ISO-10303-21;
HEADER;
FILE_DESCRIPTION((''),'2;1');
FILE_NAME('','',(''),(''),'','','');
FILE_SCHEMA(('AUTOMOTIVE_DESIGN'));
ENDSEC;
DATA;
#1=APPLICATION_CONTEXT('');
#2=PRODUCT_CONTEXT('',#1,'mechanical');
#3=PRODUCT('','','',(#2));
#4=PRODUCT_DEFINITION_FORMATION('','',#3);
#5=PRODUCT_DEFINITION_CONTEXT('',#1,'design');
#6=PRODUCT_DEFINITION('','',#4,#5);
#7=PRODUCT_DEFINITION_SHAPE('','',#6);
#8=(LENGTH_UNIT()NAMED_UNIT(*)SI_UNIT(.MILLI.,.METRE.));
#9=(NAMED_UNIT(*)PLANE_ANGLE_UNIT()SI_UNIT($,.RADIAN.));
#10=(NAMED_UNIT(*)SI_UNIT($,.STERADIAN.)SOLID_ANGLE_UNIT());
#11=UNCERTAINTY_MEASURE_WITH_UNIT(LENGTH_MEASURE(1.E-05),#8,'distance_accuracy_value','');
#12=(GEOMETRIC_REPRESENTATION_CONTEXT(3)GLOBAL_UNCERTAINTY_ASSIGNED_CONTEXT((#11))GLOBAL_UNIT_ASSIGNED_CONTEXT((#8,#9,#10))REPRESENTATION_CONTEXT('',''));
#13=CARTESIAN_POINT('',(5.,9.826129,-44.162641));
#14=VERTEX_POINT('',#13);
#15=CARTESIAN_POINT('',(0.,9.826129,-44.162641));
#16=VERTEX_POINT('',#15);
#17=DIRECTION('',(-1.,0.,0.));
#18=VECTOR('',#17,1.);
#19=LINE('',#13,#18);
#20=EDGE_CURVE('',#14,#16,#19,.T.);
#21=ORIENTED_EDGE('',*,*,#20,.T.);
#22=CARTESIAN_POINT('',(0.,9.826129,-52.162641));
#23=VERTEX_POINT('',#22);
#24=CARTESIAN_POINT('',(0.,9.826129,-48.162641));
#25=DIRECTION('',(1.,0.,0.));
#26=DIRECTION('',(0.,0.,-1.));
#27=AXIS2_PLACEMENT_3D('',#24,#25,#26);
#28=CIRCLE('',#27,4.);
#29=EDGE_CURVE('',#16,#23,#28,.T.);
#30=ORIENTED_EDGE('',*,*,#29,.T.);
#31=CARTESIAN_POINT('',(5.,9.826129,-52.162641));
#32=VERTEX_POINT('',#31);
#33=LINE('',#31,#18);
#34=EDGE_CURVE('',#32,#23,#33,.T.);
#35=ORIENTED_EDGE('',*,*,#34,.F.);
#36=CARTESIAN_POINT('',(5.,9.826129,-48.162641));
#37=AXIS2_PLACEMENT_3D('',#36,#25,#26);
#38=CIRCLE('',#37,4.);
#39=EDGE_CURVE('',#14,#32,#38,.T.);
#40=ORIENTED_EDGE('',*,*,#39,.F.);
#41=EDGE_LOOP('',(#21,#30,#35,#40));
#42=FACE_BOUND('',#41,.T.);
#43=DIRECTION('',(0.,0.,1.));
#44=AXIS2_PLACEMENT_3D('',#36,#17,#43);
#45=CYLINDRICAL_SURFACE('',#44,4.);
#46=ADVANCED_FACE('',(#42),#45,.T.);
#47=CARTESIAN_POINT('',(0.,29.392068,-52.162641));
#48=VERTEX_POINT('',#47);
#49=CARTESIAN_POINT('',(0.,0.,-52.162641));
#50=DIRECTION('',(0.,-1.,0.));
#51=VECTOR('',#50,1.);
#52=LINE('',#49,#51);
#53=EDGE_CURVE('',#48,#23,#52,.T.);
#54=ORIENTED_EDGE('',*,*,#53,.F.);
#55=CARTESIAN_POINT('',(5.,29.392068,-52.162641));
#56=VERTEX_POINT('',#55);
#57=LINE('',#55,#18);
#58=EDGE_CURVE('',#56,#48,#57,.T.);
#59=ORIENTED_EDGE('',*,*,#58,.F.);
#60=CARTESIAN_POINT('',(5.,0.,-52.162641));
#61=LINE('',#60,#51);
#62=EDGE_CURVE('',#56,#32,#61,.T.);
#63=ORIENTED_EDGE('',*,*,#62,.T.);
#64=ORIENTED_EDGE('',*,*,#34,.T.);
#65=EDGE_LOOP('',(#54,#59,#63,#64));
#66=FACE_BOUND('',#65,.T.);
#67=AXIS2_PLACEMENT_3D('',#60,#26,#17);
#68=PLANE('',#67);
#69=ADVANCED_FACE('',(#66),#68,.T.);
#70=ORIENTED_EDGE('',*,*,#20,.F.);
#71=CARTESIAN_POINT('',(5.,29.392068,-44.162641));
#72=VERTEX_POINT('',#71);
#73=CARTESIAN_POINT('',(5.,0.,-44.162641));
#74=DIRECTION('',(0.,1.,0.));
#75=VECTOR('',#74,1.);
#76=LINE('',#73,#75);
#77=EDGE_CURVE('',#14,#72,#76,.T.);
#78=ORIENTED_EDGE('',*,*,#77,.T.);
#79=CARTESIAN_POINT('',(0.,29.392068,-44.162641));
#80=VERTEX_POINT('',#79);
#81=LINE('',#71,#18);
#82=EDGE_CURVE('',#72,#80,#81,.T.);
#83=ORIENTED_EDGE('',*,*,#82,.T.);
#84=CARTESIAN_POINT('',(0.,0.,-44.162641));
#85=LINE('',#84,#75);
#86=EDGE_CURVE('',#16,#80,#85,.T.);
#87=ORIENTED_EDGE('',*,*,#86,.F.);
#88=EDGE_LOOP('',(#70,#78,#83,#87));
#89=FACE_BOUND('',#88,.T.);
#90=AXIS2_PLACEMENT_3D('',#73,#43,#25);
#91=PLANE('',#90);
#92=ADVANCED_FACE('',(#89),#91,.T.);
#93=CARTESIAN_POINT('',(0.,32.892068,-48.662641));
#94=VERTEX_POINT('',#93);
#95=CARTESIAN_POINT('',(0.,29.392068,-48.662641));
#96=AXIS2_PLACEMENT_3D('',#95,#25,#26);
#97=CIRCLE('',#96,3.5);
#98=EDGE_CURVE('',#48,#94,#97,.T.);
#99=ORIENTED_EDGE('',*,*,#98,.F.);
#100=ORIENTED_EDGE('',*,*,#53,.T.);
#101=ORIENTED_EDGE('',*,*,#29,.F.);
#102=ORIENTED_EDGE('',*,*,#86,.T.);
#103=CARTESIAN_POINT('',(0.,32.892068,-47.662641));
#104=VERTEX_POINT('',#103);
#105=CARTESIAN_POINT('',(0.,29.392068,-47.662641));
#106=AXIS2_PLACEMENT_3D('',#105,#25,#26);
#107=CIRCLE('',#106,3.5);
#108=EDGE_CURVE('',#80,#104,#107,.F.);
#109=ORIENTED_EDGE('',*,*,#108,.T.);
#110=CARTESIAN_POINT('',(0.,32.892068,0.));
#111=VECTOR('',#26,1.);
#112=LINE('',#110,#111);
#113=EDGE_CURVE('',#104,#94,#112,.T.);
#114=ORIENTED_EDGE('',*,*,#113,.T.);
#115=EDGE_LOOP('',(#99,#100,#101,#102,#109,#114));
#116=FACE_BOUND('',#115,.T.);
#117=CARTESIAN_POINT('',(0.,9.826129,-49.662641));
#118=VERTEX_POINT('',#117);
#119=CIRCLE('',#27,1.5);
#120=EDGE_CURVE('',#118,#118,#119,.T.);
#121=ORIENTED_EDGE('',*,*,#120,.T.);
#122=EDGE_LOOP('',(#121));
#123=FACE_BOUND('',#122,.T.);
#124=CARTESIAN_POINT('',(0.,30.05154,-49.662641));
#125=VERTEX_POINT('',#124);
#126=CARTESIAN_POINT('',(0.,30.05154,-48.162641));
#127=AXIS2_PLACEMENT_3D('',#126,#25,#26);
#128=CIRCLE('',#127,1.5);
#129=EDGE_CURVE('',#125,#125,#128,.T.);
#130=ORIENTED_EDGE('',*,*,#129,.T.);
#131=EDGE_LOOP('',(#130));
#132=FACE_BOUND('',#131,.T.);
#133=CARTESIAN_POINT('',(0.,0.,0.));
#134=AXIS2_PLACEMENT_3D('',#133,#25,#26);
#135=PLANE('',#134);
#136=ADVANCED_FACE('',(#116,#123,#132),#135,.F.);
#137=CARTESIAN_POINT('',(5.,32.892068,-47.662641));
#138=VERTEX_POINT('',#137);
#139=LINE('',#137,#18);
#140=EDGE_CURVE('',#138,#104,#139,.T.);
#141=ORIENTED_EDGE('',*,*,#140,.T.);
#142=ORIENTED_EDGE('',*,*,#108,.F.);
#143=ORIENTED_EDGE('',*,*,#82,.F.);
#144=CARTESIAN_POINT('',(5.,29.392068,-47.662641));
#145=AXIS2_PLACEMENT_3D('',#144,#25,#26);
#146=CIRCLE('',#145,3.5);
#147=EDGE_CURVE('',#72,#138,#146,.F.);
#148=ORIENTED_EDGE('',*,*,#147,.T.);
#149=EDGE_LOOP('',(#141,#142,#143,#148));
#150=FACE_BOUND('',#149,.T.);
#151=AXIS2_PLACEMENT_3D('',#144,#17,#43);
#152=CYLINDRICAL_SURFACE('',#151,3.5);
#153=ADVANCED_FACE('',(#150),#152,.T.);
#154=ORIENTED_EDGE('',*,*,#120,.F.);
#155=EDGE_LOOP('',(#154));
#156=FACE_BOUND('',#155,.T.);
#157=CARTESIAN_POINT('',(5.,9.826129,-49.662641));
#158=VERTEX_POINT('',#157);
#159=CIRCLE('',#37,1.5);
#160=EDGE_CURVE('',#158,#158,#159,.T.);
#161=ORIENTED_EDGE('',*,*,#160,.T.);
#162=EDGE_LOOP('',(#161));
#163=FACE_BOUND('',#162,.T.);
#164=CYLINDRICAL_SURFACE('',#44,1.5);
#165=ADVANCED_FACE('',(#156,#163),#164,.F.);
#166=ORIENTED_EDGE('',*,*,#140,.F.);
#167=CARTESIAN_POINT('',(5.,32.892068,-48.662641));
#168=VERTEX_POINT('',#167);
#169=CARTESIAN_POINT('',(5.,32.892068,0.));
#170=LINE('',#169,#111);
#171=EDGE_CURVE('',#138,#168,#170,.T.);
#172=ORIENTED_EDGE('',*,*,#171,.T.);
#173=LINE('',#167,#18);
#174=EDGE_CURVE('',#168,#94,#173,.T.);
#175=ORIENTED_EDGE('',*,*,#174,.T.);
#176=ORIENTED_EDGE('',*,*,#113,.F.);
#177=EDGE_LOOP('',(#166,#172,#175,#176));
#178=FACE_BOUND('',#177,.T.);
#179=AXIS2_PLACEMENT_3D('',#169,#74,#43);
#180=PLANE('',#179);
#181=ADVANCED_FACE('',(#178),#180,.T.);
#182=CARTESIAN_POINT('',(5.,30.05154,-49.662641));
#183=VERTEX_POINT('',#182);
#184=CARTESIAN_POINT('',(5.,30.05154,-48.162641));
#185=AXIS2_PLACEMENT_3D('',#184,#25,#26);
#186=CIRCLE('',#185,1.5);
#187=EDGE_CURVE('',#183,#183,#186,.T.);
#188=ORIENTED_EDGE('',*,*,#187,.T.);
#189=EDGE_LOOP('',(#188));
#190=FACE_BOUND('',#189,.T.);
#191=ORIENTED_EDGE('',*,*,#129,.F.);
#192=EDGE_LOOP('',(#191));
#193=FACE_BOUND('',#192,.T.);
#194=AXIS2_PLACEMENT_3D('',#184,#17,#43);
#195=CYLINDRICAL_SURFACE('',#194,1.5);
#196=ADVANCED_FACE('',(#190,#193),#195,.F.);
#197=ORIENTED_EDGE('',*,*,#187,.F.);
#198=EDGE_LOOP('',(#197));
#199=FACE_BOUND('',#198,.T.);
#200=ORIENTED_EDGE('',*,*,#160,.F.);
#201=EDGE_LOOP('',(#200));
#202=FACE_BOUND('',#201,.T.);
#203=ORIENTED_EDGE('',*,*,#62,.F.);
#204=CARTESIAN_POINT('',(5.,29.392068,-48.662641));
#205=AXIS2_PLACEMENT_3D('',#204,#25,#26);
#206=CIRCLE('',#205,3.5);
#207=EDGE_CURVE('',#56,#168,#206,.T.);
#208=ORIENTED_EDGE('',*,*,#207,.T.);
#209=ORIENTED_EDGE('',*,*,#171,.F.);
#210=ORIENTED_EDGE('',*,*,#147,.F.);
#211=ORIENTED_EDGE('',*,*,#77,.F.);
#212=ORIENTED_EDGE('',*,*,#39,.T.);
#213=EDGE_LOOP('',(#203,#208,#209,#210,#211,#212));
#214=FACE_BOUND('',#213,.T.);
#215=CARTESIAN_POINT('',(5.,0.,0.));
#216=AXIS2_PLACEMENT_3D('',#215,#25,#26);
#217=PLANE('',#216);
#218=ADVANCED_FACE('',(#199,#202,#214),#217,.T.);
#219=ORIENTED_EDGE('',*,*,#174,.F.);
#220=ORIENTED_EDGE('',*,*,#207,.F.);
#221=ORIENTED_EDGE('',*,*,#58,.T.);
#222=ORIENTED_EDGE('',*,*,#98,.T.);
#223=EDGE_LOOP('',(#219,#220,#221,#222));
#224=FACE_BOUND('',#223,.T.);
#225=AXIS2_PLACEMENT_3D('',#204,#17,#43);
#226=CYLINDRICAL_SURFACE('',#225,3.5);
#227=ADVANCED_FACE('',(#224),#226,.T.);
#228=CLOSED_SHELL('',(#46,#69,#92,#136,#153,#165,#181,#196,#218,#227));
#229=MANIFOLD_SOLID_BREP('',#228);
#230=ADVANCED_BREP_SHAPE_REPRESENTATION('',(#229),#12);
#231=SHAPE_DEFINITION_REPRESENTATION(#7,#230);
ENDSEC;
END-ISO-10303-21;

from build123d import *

# Parameters (mm, degrees)
SKETCH1_R           = 1.5
BOSS_EXTRUDE1_DEPTH = 5


with BuildPart() as part:
    # Sketch1 → Boss-Extrude1 (new body)
    with BuildSketch(Plane(origin=(0, 0, 0), x_dir=(0, 0, -1), z_dir=(1, 0, 0))):
        with BuildLine():
            Line((44.162641246, 29.392068372), (44.162641246, 9.826128546))
            ThreePointArc((44.162641246, 9.826128546), (48.162641246, 5.826128546), (52.162641246, 9.826128546))
            Line((52.162641246, 9.826128546), (52.162641246, 29.392068372))
            ThreePointArc((52.162641246, 29.392068372), (51.137514981, 31.866942106), (48.662641246, 32.892068372))
            Line((48.662641246, 32.892068372), (47.662641246, 32.892068372))
            ThreePointArc((47.662641246, 32.892068372), (45.187767512, 31.866942106), (44.162641246, 29.392068372))
        make_face()
        with Locations((48.162641246, 30.051539634)):
            Circle(SKETCH1_R, mode=Mode.SUBTRACT)
        with Locations((48.162641246, 9.826128546)):
            Circle(SKETCH1_R, mode=Mode.SUBTRACT)
    extrude(amount=BOSS_EXTRUDE1_DEPTH)


solid = part.part
